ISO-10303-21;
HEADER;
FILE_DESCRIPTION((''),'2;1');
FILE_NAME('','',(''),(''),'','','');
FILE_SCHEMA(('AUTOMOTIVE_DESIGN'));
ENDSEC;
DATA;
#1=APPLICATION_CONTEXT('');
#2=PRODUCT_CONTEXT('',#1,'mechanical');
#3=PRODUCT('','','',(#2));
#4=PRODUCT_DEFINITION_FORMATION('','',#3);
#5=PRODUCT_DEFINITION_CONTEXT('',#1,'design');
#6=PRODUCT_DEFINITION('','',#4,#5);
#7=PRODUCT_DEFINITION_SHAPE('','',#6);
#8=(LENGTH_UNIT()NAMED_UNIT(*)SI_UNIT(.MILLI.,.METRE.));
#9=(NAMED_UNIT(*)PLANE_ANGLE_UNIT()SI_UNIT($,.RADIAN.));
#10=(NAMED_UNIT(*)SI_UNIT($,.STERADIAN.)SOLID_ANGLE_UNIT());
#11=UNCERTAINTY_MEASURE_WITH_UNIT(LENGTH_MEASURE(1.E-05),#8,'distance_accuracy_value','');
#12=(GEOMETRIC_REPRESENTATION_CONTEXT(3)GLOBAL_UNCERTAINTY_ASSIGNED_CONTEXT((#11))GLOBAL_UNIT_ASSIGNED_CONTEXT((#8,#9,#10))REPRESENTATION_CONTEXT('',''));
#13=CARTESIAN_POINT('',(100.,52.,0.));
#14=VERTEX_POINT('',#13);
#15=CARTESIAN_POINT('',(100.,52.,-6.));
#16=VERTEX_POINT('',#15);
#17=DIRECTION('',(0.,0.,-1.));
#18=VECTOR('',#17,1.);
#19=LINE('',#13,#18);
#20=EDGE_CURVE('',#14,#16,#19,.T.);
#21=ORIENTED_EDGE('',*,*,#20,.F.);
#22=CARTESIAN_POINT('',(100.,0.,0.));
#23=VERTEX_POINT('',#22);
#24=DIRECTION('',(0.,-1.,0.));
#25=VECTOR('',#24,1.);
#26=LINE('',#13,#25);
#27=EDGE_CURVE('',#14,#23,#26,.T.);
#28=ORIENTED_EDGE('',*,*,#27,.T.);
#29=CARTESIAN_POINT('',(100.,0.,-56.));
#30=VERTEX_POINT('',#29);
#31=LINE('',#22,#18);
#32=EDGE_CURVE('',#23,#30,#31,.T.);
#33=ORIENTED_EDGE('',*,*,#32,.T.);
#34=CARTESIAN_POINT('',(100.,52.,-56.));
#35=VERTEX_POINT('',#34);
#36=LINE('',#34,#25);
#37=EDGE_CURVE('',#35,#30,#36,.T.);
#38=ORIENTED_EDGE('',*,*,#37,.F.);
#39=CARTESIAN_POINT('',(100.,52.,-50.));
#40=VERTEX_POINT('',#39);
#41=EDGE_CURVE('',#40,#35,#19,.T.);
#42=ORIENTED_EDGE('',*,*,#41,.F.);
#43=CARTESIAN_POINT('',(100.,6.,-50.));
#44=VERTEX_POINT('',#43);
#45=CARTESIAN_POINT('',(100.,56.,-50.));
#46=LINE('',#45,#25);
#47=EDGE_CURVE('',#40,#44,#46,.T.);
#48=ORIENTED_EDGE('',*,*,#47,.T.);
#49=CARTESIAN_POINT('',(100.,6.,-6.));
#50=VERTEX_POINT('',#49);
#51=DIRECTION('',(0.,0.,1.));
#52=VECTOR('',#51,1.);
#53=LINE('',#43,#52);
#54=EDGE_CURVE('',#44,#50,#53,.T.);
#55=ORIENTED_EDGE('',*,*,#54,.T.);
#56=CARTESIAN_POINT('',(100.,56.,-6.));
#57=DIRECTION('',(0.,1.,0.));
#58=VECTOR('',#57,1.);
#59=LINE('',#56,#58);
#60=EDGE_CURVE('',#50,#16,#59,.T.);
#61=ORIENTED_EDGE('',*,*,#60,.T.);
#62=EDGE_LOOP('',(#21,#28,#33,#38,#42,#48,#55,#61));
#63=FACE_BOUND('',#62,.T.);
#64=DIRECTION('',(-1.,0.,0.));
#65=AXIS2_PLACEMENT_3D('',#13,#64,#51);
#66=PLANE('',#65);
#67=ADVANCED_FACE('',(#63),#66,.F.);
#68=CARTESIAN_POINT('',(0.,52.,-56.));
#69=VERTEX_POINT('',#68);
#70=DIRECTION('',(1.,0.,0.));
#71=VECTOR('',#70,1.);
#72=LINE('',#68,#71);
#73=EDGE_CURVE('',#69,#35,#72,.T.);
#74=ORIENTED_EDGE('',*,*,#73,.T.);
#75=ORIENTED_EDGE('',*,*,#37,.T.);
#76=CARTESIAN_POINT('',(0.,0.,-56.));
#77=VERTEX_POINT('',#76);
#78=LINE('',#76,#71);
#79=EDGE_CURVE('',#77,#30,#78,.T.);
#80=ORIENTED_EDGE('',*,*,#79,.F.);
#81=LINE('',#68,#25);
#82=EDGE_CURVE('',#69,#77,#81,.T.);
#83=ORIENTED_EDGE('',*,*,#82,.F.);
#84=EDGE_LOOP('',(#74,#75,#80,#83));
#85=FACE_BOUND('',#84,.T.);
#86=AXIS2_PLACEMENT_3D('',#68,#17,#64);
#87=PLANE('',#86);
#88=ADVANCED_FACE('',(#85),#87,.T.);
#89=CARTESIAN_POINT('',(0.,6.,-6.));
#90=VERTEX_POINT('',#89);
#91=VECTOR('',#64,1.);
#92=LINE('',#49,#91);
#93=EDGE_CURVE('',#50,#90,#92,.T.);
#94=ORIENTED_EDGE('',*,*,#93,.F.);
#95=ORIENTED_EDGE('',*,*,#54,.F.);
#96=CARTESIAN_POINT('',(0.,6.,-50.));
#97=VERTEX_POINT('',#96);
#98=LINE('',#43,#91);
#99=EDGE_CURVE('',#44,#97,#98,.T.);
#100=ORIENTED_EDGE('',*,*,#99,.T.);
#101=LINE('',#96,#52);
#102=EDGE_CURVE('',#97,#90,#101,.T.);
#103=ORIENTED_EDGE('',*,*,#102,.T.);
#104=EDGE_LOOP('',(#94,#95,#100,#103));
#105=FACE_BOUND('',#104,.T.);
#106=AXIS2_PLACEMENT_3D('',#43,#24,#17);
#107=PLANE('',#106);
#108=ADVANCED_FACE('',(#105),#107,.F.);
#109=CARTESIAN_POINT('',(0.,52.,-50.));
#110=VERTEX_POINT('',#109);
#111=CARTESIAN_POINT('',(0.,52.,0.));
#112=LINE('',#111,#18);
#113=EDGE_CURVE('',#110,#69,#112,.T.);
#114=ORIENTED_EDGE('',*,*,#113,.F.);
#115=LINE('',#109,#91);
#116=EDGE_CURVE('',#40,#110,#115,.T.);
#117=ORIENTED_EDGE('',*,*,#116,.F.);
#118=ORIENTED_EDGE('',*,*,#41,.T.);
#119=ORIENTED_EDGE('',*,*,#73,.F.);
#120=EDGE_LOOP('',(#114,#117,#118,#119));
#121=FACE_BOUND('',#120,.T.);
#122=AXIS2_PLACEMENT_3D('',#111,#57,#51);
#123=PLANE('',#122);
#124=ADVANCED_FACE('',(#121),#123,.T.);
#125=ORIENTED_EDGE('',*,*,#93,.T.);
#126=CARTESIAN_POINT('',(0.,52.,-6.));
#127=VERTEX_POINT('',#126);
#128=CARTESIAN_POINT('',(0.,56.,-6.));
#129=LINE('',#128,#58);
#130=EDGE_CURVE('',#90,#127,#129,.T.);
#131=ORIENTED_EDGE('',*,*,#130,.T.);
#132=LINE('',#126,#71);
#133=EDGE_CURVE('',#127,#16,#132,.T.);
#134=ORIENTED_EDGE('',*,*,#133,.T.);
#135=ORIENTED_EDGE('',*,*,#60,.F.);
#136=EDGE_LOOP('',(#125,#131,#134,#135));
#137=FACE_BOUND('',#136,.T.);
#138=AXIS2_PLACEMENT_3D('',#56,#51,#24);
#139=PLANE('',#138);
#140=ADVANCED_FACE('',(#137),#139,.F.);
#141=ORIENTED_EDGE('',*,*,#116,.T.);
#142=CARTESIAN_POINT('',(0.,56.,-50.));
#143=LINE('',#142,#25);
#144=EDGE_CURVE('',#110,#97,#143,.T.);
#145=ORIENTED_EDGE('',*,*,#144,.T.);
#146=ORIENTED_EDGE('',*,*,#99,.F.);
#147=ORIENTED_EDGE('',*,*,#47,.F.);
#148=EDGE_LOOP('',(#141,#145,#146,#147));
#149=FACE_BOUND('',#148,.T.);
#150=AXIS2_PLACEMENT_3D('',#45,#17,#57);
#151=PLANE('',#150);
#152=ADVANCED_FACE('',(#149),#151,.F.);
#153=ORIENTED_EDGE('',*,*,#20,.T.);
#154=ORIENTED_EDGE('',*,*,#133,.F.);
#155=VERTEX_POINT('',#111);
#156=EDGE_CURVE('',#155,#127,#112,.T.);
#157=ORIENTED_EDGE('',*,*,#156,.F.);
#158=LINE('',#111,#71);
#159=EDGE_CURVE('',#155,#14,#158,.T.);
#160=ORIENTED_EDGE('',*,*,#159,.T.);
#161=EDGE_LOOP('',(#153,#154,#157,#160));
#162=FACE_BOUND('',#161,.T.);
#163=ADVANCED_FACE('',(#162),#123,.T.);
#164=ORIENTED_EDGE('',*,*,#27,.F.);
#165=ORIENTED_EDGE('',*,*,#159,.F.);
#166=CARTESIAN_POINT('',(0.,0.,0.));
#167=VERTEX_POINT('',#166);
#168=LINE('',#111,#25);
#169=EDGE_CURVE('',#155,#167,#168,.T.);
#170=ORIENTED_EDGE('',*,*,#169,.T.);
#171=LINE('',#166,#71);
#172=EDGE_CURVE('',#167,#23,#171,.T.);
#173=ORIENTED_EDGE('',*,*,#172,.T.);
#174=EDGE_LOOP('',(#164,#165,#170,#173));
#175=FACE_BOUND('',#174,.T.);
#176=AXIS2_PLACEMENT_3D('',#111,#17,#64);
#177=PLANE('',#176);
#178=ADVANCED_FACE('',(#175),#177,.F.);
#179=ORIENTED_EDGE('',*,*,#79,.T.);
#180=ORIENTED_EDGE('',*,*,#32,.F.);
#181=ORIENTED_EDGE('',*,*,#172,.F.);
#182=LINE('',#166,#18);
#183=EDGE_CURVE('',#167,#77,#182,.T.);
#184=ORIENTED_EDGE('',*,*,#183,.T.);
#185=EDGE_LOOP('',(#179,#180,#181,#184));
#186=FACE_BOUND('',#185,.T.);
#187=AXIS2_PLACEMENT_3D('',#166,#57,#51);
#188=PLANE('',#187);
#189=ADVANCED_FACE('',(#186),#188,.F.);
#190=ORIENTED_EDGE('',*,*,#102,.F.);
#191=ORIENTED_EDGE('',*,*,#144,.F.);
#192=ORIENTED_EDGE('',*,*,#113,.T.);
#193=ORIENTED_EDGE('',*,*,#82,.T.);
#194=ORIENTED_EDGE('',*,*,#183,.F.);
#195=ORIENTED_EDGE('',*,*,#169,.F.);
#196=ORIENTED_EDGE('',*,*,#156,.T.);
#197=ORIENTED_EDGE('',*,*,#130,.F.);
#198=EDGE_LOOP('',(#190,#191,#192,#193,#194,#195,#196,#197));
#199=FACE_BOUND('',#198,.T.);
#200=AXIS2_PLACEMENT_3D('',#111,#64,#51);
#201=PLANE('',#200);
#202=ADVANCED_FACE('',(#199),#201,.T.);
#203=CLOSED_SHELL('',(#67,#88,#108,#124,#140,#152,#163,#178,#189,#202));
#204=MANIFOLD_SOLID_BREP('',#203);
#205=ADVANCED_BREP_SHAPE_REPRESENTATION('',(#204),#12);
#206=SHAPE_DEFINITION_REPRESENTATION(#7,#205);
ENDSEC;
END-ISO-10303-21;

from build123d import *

# Parameters (mm, degrees)
SKETCH1_W           = 100
SKETCH1_H           = 56
BOSS_EXTRUDE1_DEPTH = 52
SKETCH4_W           = 44
SKETCH4_H           = 50
CUT_EXTRUDE2_DEPTH  = 126.85706178


with BuildPart() as part:
    # Sketch1 → Boss-Extrude1 (new body)
    with BuildSketch(Plane(origin=(0, 0, 0), x_dir=(1, 0, 0), z_dir=(0, 1, 0))):
        with Locations((50, 28)):
            Rectangle(SKETCH1_W, SKETCH1_H)
    extrude(amount=BOSS_EXTRUDE1_DEPTH)

    # Sketch4 → Cut-Extrude2 (cut, through all)
    with BuildSketch(Plane.ZY):
        with Locations((-28, 31)):
            Rectangle(SKETCH4_W, SKETCH4_H)
    extrude(amount=-CUT_EXTRUDE2_DEPTH, mode=Mode.SUBTRACT)


solid = part.part
